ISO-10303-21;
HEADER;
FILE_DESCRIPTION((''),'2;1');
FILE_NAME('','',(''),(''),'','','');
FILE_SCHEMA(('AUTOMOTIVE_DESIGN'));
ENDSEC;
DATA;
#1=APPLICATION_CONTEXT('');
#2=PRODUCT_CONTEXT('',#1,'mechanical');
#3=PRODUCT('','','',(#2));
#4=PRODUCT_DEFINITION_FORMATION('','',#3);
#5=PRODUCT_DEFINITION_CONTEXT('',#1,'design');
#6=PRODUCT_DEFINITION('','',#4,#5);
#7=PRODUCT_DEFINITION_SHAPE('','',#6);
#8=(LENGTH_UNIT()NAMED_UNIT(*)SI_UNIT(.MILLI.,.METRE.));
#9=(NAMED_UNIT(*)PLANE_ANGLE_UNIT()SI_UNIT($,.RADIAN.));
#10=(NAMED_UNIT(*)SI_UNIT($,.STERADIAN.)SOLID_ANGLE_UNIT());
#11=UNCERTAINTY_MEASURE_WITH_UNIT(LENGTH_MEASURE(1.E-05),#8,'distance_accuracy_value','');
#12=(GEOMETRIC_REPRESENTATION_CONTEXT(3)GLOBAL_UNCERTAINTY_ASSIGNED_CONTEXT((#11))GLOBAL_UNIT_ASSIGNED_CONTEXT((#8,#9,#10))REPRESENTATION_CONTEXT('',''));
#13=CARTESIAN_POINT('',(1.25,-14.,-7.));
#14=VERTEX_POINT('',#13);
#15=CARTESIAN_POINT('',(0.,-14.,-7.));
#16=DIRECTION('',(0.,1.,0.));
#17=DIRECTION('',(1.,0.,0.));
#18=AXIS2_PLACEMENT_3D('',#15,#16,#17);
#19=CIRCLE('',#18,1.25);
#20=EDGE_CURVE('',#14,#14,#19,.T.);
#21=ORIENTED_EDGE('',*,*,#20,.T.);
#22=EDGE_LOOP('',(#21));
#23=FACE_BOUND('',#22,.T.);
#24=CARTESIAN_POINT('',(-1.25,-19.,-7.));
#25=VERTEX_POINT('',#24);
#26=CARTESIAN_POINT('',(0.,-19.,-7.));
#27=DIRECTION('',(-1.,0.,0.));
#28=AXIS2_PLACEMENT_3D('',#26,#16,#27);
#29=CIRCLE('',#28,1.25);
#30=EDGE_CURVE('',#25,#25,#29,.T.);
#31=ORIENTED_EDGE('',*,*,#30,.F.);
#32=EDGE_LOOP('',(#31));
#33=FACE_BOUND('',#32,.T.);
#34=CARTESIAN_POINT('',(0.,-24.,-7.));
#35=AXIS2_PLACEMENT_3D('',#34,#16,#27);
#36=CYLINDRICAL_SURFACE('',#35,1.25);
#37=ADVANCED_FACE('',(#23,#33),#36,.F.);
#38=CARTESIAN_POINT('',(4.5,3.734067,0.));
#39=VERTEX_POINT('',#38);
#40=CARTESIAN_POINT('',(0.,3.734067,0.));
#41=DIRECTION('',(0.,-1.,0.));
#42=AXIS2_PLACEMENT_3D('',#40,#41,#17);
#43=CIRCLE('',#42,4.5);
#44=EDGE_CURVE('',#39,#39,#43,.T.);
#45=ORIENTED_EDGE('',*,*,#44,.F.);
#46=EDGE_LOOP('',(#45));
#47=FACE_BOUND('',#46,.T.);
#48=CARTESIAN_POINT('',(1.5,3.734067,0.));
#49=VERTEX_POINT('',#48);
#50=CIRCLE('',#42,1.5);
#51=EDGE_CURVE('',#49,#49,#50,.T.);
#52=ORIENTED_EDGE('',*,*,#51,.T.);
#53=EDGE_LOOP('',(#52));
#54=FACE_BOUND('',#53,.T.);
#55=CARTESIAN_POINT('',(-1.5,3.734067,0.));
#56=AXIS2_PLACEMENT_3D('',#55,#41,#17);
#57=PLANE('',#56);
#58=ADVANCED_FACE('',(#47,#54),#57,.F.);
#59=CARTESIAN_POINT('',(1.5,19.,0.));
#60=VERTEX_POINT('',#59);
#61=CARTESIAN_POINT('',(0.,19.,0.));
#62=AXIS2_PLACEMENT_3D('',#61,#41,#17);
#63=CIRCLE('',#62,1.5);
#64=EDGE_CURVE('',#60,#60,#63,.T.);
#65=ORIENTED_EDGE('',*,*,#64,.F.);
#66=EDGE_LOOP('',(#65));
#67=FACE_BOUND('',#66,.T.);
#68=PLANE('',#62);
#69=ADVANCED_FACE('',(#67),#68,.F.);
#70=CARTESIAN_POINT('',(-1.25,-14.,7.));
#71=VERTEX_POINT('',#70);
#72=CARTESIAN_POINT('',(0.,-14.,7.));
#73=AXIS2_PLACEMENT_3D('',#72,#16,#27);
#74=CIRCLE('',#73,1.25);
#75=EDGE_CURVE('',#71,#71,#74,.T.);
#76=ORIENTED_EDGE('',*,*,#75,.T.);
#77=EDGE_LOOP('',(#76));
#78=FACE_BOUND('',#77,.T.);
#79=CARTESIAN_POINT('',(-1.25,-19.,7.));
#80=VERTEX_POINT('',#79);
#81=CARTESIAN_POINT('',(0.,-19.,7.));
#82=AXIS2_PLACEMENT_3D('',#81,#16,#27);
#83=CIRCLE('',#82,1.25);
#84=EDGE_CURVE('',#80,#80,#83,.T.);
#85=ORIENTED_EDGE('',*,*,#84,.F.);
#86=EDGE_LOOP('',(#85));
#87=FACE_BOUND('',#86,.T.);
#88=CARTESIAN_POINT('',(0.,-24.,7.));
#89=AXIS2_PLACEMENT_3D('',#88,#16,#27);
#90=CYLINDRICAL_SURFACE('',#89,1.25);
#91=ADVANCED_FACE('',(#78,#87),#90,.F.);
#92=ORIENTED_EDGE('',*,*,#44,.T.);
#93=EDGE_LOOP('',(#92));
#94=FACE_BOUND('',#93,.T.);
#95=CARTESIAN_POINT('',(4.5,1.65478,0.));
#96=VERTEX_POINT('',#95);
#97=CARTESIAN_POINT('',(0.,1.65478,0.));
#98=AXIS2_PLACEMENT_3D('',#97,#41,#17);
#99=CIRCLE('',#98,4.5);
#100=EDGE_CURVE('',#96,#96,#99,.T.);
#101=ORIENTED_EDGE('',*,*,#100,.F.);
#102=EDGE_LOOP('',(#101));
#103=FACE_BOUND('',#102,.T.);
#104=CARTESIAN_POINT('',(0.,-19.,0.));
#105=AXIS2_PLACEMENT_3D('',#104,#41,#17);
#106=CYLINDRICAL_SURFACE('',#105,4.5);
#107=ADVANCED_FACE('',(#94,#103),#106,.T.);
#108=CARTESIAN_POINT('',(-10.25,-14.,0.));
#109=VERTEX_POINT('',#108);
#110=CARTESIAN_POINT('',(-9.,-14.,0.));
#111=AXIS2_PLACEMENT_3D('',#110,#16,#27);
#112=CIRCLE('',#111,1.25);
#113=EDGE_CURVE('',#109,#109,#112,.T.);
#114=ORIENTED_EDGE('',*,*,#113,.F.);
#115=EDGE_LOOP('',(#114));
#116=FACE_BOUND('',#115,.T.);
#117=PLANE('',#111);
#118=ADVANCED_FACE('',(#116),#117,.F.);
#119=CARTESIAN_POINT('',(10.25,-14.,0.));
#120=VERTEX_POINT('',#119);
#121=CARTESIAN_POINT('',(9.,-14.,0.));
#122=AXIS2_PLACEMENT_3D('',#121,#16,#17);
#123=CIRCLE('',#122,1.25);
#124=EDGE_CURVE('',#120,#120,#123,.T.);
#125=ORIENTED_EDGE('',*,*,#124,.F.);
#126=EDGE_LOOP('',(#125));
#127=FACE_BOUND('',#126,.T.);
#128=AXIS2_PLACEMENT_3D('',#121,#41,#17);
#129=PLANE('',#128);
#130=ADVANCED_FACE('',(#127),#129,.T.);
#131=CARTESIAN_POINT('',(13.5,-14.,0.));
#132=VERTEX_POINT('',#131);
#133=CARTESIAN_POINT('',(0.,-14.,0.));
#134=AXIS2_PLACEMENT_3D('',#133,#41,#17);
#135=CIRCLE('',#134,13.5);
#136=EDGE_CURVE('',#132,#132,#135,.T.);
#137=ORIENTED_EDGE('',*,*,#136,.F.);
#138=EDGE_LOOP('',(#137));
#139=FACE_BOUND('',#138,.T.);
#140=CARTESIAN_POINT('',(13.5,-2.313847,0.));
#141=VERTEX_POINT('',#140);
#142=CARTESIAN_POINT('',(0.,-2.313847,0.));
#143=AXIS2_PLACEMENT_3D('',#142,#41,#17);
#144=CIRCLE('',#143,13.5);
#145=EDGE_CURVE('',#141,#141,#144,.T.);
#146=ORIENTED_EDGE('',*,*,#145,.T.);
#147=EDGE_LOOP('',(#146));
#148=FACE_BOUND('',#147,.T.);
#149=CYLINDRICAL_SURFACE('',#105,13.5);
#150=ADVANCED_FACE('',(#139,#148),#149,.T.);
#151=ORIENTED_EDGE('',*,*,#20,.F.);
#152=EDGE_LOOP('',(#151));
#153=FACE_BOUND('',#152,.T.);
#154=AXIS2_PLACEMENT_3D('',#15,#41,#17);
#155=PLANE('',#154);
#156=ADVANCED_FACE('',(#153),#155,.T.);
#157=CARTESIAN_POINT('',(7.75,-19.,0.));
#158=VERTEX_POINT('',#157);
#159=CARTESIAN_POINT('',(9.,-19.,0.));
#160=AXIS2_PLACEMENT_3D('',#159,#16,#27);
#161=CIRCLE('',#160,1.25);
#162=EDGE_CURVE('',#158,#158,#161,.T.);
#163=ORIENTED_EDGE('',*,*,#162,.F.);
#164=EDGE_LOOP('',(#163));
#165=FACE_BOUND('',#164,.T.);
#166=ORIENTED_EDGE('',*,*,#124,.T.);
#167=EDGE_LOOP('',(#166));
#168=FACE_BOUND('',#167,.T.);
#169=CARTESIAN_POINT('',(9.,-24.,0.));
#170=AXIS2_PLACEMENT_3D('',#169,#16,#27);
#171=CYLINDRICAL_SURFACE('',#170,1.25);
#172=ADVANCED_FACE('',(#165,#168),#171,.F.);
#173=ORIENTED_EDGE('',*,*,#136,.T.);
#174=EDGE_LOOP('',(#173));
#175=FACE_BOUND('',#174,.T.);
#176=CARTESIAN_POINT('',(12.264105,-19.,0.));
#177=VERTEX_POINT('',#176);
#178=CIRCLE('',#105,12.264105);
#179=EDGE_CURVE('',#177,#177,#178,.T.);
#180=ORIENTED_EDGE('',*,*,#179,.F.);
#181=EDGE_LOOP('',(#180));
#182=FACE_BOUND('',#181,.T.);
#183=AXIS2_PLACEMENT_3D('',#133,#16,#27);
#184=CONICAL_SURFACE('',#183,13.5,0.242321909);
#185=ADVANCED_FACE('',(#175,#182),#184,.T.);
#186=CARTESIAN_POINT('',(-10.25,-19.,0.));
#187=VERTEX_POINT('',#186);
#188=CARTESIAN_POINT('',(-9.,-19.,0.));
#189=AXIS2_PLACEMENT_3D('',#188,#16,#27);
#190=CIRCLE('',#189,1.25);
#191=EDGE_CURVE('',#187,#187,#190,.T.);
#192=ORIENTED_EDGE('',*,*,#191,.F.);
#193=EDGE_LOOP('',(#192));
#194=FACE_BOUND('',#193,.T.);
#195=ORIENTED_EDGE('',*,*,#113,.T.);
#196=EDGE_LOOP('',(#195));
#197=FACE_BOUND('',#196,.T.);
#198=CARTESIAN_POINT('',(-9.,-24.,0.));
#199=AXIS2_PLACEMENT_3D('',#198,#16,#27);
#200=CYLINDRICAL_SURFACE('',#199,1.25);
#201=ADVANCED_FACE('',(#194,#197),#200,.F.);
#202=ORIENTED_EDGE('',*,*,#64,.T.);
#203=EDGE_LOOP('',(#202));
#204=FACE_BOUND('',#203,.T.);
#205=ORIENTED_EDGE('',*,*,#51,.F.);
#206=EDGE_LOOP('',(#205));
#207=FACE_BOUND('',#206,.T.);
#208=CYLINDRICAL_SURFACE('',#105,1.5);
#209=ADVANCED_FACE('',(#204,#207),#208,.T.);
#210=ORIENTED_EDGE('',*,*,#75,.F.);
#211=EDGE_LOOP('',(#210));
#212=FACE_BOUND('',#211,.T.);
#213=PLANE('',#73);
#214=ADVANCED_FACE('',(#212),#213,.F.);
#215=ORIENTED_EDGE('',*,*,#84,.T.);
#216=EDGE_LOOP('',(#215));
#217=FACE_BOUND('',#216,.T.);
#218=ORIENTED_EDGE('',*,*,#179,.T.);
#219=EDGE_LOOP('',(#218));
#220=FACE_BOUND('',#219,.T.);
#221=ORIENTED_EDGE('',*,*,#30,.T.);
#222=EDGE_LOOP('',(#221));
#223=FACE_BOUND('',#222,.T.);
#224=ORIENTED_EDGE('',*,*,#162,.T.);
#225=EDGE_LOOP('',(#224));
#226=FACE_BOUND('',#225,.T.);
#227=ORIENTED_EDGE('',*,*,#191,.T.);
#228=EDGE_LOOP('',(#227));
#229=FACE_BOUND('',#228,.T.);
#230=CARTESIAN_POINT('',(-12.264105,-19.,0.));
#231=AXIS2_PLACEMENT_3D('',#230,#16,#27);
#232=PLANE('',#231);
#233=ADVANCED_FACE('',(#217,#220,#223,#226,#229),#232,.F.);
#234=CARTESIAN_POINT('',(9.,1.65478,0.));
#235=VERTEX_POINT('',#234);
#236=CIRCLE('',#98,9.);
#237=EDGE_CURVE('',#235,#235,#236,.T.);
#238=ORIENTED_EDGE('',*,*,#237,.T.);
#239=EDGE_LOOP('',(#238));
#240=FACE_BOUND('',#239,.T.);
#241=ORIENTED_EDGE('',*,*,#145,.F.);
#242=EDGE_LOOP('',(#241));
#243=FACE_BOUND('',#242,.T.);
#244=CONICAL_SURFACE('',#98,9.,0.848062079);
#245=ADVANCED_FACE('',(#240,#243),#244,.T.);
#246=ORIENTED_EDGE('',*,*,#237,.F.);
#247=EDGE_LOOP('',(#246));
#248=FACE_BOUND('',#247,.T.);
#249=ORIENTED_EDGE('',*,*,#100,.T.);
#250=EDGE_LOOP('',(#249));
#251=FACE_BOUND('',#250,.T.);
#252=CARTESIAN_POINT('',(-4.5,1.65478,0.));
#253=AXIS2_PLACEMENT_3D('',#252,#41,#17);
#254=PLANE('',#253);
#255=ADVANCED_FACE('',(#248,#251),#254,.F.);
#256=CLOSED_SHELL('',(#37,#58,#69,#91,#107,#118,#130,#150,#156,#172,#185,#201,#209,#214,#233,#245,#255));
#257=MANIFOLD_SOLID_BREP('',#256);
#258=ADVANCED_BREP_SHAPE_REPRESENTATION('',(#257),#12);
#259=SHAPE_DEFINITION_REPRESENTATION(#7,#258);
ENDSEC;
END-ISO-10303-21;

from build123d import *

# Parameters (mm, degrees)
CROQUIS3_R            = 1.25
CORTAR_EXTRUIR1_DEPTH = 5


with BuildPart() as part:
    # Croquis2 → Revolución1 (revolve)
    with BuildSketch(Plane.XY):
        Polygon((0, 19), (-1.5, 19), (-1.5, 3.734066961), (-4.5, 3.734066961), (-4.5, 1.654780276), (-9, 1.654780276), (-13.5, -2.31384669), (-13.5, -14), (-12.264104671, -19), (0, -19), align=None)
    revolve(axis=Axis((0, -19, 0), (0, 1, 0)))

    # Croquis3 → Cortar-Extruir1 (cut, symmetric)
    with BuildSketch(Plane(origin=(0, -19, 0), x_dir=(1, 0, 0), z_dir=(0, 1, 0))):
        with Locations((-9, 0)):
            Circle(CROQUIS3_R)
        with Locations((9, 0)):
            Circle(CROQUIS3_R)
        with Locations((0, -7)):
            Circle(CROQUIS3_R)
        with Locations((0, 7)):
            Circle(CROQUIS3_R)
    extrude(amount=CORTAR_EXTRUIR1_DEPTH, both=True, mode=Mode.SUBTRACT)


solid = part.part
